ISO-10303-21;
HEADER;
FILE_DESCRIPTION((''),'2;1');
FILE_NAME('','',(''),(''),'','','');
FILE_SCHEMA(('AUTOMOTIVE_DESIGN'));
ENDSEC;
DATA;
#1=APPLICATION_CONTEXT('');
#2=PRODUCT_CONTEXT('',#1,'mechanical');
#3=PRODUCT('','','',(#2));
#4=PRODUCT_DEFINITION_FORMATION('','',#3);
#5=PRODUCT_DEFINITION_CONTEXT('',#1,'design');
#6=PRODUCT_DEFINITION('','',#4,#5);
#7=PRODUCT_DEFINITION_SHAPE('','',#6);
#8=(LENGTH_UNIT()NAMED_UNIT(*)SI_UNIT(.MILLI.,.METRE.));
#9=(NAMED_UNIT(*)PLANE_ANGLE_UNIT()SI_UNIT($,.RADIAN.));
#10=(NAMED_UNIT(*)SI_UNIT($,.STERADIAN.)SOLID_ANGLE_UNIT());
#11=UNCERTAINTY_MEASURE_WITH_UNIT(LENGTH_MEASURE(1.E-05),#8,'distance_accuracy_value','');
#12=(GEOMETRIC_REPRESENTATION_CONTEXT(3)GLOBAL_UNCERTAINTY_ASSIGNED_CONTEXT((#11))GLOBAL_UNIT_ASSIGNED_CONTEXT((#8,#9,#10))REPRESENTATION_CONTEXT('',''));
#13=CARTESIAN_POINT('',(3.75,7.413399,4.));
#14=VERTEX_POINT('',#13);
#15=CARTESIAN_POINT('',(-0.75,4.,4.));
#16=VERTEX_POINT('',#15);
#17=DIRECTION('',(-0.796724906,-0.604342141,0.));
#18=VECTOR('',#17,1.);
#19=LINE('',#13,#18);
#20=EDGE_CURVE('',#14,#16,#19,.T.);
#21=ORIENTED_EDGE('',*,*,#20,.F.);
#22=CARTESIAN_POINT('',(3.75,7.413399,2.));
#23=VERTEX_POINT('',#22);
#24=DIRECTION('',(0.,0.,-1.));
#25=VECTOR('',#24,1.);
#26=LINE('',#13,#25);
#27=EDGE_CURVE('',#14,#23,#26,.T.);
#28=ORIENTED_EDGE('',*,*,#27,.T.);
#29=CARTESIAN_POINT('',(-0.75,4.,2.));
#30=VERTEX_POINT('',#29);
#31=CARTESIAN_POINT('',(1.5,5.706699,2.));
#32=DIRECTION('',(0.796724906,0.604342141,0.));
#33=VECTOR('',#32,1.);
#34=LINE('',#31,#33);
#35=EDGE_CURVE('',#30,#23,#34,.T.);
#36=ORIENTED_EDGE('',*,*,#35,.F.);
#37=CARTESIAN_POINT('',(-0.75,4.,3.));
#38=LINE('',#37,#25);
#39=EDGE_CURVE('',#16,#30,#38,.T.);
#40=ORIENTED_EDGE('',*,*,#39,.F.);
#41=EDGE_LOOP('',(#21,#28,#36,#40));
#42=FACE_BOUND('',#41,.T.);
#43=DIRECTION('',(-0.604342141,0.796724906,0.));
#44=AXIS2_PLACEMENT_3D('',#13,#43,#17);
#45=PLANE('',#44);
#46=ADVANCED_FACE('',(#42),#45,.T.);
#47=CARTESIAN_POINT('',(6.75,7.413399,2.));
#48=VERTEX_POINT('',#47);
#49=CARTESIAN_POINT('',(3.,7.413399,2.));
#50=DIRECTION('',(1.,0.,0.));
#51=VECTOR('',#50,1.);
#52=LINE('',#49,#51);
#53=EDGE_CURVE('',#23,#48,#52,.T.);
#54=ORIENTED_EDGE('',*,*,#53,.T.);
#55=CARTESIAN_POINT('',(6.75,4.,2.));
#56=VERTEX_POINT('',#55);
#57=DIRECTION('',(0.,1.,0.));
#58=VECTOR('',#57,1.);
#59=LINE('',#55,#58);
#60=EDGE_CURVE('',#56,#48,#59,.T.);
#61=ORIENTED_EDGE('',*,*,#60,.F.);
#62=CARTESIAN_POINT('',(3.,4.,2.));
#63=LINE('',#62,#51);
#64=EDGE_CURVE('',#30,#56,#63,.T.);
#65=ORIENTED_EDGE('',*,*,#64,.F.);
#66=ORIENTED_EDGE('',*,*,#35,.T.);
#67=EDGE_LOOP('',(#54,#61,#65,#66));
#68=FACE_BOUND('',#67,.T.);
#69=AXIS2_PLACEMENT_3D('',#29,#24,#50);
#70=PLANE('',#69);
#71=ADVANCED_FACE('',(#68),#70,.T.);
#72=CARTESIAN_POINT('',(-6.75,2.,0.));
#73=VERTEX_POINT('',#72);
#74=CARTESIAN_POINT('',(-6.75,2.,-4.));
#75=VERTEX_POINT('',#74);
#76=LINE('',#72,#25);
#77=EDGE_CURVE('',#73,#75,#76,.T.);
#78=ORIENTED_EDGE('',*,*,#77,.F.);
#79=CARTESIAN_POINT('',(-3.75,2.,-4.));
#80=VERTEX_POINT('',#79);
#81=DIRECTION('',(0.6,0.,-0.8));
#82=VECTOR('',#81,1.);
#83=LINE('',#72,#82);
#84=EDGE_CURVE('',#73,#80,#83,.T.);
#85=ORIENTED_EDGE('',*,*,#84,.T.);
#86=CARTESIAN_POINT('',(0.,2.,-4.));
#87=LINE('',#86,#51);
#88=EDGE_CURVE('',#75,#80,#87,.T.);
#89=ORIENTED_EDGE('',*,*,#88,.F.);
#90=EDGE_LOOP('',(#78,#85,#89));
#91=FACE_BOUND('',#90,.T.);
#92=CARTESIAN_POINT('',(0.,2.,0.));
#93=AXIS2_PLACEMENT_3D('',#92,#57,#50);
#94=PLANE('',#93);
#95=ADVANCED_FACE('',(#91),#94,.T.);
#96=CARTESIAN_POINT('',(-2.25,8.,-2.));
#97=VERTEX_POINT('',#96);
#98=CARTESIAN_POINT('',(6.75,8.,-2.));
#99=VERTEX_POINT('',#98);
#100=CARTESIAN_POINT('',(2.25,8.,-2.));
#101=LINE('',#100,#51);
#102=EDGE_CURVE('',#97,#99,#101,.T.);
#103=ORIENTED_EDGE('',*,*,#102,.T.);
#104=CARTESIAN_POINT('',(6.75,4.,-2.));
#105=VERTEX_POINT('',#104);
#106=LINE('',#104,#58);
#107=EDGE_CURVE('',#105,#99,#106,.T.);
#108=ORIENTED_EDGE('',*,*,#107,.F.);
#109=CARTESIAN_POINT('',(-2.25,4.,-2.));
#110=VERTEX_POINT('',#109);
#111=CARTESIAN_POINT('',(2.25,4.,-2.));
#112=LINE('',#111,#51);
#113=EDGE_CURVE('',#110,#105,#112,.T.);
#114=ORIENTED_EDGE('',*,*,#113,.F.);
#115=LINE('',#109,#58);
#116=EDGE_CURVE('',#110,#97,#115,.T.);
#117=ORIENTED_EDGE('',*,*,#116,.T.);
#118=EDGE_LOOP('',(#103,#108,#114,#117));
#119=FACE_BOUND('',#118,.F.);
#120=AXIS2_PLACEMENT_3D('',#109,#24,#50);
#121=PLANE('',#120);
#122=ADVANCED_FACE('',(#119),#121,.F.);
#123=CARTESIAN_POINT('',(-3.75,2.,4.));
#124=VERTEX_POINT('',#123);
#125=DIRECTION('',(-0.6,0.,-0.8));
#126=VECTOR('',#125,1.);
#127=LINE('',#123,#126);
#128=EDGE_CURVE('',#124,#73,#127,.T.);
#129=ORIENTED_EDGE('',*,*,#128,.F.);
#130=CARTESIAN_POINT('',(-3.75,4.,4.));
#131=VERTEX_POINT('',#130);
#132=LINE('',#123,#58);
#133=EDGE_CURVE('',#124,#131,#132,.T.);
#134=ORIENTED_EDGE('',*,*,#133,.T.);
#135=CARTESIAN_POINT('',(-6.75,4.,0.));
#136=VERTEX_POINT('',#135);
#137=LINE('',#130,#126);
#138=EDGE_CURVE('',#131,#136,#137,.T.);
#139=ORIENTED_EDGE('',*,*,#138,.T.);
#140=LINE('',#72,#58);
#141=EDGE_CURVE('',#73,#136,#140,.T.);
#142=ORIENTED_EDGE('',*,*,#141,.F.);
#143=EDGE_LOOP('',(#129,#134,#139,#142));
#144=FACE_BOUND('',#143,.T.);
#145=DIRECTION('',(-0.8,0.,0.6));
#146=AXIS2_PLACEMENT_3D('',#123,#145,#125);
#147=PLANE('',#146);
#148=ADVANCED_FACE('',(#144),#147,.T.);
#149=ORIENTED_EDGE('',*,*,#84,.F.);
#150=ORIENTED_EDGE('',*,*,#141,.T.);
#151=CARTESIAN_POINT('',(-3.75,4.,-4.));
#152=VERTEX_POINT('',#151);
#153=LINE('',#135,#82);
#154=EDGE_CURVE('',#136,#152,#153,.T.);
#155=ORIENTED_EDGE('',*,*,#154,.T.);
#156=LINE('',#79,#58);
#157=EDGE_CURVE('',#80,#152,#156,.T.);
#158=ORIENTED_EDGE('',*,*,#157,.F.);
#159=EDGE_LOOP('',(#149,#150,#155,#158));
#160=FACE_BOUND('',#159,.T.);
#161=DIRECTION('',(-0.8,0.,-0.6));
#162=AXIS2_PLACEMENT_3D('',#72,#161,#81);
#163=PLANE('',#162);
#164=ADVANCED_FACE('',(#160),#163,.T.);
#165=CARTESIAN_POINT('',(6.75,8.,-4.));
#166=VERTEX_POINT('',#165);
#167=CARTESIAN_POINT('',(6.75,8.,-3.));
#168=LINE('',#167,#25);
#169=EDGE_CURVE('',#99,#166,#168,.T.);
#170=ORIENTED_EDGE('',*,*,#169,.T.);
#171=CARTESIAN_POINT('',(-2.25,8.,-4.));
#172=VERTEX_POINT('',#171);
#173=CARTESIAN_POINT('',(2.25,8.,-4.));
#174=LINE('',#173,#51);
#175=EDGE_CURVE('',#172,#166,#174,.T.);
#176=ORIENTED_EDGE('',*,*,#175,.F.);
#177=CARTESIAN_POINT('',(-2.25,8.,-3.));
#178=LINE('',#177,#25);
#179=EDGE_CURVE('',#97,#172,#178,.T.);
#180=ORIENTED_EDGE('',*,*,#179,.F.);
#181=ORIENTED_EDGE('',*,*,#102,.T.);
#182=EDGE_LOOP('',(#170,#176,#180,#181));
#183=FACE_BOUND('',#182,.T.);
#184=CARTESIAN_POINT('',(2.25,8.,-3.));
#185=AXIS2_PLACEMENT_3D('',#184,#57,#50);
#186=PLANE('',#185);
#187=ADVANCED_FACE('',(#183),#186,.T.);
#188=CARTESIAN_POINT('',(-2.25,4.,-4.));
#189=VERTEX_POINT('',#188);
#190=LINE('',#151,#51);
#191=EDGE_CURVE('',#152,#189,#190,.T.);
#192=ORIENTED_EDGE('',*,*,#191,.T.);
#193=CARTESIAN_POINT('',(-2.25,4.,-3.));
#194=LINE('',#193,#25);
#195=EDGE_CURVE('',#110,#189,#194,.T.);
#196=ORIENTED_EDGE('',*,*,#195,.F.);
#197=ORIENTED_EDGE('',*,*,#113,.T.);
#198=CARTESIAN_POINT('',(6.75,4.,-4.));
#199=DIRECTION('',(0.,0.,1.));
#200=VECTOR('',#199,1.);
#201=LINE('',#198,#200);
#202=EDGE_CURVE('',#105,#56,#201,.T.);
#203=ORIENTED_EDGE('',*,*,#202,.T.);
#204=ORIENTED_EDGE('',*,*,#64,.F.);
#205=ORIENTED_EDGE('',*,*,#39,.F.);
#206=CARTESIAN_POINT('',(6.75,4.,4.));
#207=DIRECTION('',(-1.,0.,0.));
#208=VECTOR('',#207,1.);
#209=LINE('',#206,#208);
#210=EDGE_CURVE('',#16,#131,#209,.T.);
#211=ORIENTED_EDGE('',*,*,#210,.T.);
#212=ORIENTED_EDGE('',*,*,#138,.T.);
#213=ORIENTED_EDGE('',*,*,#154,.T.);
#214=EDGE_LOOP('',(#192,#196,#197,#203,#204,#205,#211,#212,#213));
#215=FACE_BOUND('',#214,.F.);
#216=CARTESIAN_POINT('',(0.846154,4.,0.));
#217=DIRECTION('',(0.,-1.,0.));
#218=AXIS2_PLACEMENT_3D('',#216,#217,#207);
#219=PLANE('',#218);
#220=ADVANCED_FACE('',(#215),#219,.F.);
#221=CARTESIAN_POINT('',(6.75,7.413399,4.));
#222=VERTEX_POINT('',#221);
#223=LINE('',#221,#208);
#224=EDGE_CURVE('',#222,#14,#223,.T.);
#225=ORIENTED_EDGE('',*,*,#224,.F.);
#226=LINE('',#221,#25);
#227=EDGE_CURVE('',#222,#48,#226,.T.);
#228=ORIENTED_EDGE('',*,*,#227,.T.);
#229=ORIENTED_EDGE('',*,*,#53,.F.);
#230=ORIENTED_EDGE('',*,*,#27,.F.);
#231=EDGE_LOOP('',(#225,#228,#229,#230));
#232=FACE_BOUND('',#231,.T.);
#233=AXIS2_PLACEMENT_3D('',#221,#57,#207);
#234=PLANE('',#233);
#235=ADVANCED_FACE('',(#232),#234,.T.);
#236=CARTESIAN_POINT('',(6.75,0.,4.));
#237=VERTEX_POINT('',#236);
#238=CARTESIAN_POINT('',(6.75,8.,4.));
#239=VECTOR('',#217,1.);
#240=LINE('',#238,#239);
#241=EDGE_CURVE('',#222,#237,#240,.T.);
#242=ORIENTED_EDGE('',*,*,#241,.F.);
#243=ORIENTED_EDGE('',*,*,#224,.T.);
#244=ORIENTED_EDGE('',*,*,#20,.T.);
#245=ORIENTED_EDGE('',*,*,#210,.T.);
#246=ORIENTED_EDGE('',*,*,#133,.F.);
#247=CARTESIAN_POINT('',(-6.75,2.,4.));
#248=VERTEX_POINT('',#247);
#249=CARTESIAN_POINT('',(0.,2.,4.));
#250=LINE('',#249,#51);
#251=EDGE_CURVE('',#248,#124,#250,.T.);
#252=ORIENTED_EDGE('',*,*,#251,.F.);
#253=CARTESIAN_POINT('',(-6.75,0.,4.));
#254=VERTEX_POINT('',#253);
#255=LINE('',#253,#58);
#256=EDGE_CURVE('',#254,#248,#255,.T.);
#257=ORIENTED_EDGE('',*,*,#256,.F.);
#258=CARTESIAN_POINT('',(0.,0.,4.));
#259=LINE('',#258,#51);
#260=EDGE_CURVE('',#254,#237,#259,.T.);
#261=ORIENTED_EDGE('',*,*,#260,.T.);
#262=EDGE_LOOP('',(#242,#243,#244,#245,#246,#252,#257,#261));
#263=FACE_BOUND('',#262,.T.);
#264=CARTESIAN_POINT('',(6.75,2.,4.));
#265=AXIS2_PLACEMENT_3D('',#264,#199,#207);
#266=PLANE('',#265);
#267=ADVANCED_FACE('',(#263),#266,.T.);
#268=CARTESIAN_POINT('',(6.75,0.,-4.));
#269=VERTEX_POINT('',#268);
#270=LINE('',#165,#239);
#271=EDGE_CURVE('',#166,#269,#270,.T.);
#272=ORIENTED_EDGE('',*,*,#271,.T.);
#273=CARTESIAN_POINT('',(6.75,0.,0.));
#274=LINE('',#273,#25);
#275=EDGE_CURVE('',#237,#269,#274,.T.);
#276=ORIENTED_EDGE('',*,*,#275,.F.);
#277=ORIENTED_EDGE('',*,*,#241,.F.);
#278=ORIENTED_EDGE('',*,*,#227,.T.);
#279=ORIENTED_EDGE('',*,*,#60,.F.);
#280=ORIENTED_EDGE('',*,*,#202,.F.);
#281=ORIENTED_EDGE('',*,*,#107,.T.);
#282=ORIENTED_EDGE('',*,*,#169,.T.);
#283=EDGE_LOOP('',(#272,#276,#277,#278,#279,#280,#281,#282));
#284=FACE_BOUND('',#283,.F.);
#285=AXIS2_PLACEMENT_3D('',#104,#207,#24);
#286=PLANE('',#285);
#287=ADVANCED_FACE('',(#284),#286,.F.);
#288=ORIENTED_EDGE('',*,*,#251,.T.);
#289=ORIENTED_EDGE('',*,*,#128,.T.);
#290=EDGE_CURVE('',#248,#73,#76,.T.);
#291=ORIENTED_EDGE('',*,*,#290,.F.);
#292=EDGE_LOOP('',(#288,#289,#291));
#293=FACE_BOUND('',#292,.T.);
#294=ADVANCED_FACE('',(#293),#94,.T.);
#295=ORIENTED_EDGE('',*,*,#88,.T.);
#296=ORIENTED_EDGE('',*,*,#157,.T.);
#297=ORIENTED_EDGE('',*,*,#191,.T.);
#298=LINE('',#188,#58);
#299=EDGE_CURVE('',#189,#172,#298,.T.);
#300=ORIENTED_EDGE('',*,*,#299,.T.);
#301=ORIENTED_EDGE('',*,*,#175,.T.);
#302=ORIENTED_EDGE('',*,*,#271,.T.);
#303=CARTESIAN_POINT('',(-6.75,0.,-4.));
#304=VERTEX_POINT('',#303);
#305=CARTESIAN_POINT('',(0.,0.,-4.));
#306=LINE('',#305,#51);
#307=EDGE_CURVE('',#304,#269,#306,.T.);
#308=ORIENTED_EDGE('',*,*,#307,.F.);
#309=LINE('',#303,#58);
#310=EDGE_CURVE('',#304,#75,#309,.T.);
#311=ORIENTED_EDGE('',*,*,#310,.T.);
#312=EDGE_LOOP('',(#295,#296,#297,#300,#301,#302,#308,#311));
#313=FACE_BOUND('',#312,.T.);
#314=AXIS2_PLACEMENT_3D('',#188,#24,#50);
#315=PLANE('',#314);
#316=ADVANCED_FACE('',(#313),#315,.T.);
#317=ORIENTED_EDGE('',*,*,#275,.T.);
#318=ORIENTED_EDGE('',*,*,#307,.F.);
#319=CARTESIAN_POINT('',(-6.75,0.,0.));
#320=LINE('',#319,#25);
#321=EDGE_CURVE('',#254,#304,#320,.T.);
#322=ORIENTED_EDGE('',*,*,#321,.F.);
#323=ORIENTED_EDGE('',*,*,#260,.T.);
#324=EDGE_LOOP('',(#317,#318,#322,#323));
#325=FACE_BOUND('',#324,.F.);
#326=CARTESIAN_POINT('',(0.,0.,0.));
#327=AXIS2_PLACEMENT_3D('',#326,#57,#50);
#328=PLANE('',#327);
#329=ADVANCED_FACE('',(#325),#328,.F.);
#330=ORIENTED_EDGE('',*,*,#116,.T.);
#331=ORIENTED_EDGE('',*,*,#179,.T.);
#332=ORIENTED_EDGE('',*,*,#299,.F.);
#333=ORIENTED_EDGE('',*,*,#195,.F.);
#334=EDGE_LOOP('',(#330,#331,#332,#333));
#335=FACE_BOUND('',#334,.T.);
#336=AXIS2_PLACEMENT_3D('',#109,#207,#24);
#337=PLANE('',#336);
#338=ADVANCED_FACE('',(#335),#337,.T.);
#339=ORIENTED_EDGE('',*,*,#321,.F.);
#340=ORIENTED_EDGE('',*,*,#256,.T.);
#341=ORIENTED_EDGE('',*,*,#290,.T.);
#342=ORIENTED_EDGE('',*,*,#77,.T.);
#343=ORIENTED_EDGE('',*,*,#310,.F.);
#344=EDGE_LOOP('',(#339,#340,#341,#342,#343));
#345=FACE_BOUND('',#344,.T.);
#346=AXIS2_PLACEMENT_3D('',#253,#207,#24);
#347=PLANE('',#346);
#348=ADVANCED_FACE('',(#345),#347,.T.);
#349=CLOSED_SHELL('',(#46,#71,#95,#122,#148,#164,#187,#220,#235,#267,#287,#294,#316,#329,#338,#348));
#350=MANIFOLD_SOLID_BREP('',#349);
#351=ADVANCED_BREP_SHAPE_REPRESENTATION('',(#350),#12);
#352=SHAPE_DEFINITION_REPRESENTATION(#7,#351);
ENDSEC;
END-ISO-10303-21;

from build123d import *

# Parameters (mm, degrees)
SKETCH1_W           = 13.5
SKETCH1_H           = 8
BOSS_EXTRUDE1_DEPTH = 2
BOSS_EXTRUDE2_DEPTH = 2
SKETCH3_W           = 9
SKETCH3_H           = 2
SKETCH3_W_2         = 7.5
BOSS_EXTRUDE3_DEPTH = 4
CUT_EXTRUDE1_DEPTH  = 4


with BuildPart() as part:
    # Sketch1 → Boss-Extrude1 (new body)
    with BuildSketch(Plane(origin=(0, 0, 0), x_dir=(1, 0, 0), z_dir=(0, 1, 0))):
        Rectangle(SKETCH1_W, SKETCH1_H)
    extrude(amount=BOSS_EXTRUDE1_DEPTH)

    # Sketch2 → Boss-Extrude2 (add)
    with BuildSketch(Plane(origin=(0, 2, 0), x_dir=(1, 0, 0), z_dir=(0, 1, 0))):
        Polygon((-6.75, 0), (-3.75, 4), (6.75, 4), (6.75, -4), (-3.75, -4), align=None)
    extrude(amount=BOSS_EXTRUDE2_DEPTH)

    # Sketch3 → Boss-Extrude3 (add)
    with BuildSketch(Plane(origin=(0, 4, 0), x_dir=(1, 0, 0), z_dir=(0, 1, 0))):
        with Locations((2.25, 3)):
            Rectangle(SKETCH3_W, SKETCH3_H)
        with Locations((3, -3)):
            Rectangle(SKETCH3_W_2, SKETCH3_H)
    extrude(amount=BOSS_EXTRUDE3_DEPTH)

    # Sketch4 → Cut-Extrude1 (cut)
    with BuildSketch(Plane.XY.offset(4)):
        Polygon((6.75, 7.413398543), (3.75, 7.413398543), (-0.75, 4), (-0.75, 8), (6.75, 8), align=None)
    extrude(amount=-CUT_EXTRUDE1_DEPTH, mode=Mode.SUBTRACT)


solid = part.part
